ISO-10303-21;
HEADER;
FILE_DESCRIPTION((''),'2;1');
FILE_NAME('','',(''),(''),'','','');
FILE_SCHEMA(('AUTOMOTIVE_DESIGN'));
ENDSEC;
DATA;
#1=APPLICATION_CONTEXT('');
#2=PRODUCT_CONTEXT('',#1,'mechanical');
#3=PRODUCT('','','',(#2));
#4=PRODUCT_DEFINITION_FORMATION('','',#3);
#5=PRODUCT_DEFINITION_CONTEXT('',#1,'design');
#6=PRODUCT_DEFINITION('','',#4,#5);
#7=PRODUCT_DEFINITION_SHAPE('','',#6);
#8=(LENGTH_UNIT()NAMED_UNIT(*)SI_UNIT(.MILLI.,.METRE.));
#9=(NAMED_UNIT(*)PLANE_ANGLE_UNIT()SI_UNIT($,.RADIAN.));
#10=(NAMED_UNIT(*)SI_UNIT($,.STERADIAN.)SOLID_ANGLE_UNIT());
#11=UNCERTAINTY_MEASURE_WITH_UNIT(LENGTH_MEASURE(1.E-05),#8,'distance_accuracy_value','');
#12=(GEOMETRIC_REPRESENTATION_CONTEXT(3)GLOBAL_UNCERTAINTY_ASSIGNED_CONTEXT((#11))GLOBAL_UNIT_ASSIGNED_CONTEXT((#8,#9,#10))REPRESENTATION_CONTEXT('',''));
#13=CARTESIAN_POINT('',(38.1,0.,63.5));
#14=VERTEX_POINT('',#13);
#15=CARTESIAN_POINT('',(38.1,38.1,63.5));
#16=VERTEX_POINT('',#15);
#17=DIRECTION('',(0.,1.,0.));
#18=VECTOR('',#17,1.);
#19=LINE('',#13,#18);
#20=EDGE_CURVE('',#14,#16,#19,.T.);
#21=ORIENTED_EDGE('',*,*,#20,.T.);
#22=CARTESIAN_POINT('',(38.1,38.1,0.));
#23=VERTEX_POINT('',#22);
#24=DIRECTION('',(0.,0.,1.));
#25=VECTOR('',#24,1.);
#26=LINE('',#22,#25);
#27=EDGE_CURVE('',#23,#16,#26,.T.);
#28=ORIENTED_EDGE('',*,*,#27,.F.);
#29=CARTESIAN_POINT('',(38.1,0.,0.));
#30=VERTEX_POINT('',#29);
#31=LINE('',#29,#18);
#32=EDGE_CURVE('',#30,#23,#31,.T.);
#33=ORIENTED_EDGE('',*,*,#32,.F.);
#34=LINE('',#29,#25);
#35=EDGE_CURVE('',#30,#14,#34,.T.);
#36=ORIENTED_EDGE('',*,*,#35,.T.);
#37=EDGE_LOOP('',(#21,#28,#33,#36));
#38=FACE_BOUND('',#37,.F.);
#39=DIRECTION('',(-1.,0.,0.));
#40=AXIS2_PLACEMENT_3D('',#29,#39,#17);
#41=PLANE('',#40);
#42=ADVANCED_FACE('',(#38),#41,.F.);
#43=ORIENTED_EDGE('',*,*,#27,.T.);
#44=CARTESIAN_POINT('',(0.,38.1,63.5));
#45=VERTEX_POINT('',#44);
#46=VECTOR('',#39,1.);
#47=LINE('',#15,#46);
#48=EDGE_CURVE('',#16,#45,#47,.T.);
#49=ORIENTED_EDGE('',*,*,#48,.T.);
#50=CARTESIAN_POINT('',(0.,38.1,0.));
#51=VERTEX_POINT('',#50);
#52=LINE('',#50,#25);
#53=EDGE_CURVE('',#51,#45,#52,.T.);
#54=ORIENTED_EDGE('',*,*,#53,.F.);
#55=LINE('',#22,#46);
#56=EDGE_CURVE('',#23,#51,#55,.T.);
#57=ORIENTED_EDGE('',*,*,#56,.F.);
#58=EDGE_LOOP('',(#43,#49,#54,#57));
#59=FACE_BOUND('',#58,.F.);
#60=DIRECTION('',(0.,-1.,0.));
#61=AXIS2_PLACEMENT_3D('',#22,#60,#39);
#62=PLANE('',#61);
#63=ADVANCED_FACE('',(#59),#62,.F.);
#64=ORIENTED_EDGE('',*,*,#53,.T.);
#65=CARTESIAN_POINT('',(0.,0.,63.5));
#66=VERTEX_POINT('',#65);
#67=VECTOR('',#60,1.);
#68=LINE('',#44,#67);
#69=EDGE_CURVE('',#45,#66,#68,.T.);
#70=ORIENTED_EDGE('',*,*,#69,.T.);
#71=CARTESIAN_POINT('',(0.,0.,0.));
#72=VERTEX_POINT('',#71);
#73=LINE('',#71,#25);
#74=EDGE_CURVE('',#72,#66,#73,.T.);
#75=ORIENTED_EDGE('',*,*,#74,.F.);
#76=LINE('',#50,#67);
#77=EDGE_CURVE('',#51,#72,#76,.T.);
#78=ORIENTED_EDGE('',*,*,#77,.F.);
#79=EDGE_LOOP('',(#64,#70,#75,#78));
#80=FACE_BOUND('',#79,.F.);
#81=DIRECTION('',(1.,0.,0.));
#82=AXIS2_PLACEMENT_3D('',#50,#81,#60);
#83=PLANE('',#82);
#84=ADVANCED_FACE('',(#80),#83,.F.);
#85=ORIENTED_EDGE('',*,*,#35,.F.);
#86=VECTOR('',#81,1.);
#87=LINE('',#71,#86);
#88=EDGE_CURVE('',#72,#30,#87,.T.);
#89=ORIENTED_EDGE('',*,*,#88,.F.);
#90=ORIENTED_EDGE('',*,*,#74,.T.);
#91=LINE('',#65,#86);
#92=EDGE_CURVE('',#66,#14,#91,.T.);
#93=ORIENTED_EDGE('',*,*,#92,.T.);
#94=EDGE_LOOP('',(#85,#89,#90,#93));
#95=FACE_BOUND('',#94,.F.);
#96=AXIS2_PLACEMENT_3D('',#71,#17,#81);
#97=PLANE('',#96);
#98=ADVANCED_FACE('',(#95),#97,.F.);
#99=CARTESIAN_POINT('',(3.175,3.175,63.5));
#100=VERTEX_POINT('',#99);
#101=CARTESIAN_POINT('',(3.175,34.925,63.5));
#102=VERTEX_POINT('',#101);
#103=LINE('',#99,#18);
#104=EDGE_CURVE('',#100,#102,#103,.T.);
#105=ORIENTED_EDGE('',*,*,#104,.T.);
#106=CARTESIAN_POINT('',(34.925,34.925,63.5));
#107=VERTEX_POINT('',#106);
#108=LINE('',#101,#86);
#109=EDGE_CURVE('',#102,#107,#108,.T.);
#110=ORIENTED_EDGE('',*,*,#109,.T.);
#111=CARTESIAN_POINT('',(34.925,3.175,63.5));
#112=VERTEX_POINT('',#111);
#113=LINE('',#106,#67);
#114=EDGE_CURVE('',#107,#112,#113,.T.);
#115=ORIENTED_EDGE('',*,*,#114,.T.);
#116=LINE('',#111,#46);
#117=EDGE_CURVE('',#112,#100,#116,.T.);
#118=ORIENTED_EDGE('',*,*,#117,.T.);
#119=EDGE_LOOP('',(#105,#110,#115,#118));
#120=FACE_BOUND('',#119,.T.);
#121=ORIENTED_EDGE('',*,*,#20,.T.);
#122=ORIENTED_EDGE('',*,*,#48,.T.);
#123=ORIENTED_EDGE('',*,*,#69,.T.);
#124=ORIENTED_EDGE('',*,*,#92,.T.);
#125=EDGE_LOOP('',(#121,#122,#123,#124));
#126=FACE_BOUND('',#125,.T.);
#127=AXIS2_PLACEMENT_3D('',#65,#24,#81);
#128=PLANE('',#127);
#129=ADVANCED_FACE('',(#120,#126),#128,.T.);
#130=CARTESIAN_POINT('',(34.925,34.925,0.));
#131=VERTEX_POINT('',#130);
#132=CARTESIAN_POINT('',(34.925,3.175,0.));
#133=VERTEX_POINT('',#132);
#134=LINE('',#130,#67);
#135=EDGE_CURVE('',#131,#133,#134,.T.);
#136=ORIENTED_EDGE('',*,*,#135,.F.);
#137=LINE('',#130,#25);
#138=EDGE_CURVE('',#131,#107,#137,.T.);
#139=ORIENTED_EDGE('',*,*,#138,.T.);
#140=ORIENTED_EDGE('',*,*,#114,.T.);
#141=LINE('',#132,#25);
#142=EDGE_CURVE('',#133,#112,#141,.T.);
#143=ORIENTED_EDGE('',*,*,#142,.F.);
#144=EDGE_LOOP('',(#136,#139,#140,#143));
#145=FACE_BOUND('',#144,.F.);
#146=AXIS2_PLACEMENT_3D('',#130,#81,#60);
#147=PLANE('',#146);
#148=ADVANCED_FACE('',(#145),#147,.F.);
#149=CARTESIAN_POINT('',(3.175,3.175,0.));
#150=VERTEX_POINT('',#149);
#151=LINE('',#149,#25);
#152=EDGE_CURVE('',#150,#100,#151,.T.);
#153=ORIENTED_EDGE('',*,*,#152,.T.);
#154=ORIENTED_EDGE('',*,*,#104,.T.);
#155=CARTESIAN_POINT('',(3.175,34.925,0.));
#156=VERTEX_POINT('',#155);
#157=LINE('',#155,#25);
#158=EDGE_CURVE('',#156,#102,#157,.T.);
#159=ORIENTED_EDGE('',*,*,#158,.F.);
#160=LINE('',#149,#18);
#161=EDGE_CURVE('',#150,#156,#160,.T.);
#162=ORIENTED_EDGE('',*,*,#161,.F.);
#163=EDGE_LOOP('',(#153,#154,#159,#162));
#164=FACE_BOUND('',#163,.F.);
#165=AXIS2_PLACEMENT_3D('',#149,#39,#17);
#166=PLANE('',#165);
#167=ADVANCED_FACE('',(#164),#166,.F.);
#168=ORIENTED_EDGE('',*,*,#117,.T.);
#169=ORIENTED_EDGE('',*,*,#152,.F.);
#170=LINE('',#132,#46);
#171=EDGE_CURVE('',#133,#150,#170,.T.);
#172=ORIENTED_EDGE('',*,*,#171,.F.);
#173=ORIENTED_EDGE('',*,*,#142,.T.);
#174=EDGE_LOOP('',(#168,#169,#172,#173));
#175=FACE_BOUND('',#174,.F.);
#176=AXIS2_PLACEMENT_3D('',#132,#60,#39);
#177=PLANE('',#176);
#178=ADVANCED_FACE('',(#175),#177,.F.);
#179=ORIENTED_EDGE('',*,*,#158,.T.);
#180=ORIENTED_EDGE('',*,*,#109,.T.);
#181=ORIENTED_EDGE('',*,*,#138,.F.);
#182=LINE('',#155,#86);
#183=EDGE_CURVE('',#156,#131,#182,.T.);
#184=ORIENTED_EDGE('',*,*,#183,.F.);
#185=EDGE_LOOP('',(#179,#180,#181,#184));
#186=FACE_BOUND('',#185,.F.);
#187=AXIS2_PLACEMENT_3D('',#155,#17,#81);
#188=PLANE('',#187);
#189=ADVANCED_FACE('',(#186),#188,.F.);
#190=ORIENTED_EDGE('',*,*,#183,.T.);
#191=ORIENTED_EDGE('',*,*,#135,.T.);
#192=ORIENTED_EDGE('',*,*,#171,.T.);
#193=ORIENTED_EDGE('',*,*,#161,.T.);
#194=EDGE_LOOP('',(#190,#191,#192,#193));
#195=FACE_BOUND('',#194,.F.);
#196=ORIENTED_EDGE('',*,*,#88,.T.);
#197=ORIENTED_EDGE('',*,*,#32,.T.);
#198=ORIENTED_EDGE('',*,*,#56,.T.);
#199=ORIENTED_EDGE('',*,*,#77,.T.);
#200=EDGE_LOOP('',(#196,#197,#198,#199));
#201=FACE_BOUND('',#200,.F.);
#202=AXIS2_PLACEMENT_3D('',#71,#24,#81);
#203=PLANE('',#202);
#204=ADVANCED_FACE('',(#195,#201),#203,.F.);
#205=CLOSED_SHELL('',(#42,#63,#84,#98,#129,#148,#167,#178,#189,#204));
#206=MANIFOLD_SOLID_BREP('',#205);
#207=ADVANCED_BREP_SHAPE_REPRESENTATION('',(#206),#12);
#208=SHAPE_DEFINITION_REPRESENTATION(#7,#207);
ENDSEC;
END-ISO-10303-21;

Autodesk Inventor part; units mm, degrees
ref_plane "YZ Plane" through (0, 0, 0) normal (1, 0, 0) x (0, 1, 0)
ref_plane "XZ Plane" through (0, 0, 0) normal (0, 1, 0) x (-1, 0, 0)
ref_plane "XY Plane" through (0, 0, 0) normal (0, 0, 1) x (1, 0, 0)
sketch "Sketch2" plane through (0, 0, 0) normal (0, 0, 1) x (1, 0, 0)
  line L0 (0, 0) -> (38.1, 0)
  line L1 (38.1, 0) -> (38.1, 38.1)
  line L2 (38.1, 38.1) -> (0, 38.1)
  line L3 (0, 38.1) -> (0, 0)
  line L4 (3.175, 34.925) -> (34.925, 34.925)
  line L5 (34.925, 34.925) -> (34.925, 3.175)
  line L6 (34.925, 3.175) -> (3.175, 3.175)
  line L7 (3.175, 3.175) -> (3.175, 34.925)
  dimension "d0" = 38.1
  dimension "d1" = 38.1
  dimension "d2" = 3.175
extrude "Extrusion1" add sketch "Sketch2" along normal blind 63.5
equation "\"d0\" = d1"
properties part number "testRoboRescue_Chassis_Frame_heightBar" material "Aluminum 6061"
